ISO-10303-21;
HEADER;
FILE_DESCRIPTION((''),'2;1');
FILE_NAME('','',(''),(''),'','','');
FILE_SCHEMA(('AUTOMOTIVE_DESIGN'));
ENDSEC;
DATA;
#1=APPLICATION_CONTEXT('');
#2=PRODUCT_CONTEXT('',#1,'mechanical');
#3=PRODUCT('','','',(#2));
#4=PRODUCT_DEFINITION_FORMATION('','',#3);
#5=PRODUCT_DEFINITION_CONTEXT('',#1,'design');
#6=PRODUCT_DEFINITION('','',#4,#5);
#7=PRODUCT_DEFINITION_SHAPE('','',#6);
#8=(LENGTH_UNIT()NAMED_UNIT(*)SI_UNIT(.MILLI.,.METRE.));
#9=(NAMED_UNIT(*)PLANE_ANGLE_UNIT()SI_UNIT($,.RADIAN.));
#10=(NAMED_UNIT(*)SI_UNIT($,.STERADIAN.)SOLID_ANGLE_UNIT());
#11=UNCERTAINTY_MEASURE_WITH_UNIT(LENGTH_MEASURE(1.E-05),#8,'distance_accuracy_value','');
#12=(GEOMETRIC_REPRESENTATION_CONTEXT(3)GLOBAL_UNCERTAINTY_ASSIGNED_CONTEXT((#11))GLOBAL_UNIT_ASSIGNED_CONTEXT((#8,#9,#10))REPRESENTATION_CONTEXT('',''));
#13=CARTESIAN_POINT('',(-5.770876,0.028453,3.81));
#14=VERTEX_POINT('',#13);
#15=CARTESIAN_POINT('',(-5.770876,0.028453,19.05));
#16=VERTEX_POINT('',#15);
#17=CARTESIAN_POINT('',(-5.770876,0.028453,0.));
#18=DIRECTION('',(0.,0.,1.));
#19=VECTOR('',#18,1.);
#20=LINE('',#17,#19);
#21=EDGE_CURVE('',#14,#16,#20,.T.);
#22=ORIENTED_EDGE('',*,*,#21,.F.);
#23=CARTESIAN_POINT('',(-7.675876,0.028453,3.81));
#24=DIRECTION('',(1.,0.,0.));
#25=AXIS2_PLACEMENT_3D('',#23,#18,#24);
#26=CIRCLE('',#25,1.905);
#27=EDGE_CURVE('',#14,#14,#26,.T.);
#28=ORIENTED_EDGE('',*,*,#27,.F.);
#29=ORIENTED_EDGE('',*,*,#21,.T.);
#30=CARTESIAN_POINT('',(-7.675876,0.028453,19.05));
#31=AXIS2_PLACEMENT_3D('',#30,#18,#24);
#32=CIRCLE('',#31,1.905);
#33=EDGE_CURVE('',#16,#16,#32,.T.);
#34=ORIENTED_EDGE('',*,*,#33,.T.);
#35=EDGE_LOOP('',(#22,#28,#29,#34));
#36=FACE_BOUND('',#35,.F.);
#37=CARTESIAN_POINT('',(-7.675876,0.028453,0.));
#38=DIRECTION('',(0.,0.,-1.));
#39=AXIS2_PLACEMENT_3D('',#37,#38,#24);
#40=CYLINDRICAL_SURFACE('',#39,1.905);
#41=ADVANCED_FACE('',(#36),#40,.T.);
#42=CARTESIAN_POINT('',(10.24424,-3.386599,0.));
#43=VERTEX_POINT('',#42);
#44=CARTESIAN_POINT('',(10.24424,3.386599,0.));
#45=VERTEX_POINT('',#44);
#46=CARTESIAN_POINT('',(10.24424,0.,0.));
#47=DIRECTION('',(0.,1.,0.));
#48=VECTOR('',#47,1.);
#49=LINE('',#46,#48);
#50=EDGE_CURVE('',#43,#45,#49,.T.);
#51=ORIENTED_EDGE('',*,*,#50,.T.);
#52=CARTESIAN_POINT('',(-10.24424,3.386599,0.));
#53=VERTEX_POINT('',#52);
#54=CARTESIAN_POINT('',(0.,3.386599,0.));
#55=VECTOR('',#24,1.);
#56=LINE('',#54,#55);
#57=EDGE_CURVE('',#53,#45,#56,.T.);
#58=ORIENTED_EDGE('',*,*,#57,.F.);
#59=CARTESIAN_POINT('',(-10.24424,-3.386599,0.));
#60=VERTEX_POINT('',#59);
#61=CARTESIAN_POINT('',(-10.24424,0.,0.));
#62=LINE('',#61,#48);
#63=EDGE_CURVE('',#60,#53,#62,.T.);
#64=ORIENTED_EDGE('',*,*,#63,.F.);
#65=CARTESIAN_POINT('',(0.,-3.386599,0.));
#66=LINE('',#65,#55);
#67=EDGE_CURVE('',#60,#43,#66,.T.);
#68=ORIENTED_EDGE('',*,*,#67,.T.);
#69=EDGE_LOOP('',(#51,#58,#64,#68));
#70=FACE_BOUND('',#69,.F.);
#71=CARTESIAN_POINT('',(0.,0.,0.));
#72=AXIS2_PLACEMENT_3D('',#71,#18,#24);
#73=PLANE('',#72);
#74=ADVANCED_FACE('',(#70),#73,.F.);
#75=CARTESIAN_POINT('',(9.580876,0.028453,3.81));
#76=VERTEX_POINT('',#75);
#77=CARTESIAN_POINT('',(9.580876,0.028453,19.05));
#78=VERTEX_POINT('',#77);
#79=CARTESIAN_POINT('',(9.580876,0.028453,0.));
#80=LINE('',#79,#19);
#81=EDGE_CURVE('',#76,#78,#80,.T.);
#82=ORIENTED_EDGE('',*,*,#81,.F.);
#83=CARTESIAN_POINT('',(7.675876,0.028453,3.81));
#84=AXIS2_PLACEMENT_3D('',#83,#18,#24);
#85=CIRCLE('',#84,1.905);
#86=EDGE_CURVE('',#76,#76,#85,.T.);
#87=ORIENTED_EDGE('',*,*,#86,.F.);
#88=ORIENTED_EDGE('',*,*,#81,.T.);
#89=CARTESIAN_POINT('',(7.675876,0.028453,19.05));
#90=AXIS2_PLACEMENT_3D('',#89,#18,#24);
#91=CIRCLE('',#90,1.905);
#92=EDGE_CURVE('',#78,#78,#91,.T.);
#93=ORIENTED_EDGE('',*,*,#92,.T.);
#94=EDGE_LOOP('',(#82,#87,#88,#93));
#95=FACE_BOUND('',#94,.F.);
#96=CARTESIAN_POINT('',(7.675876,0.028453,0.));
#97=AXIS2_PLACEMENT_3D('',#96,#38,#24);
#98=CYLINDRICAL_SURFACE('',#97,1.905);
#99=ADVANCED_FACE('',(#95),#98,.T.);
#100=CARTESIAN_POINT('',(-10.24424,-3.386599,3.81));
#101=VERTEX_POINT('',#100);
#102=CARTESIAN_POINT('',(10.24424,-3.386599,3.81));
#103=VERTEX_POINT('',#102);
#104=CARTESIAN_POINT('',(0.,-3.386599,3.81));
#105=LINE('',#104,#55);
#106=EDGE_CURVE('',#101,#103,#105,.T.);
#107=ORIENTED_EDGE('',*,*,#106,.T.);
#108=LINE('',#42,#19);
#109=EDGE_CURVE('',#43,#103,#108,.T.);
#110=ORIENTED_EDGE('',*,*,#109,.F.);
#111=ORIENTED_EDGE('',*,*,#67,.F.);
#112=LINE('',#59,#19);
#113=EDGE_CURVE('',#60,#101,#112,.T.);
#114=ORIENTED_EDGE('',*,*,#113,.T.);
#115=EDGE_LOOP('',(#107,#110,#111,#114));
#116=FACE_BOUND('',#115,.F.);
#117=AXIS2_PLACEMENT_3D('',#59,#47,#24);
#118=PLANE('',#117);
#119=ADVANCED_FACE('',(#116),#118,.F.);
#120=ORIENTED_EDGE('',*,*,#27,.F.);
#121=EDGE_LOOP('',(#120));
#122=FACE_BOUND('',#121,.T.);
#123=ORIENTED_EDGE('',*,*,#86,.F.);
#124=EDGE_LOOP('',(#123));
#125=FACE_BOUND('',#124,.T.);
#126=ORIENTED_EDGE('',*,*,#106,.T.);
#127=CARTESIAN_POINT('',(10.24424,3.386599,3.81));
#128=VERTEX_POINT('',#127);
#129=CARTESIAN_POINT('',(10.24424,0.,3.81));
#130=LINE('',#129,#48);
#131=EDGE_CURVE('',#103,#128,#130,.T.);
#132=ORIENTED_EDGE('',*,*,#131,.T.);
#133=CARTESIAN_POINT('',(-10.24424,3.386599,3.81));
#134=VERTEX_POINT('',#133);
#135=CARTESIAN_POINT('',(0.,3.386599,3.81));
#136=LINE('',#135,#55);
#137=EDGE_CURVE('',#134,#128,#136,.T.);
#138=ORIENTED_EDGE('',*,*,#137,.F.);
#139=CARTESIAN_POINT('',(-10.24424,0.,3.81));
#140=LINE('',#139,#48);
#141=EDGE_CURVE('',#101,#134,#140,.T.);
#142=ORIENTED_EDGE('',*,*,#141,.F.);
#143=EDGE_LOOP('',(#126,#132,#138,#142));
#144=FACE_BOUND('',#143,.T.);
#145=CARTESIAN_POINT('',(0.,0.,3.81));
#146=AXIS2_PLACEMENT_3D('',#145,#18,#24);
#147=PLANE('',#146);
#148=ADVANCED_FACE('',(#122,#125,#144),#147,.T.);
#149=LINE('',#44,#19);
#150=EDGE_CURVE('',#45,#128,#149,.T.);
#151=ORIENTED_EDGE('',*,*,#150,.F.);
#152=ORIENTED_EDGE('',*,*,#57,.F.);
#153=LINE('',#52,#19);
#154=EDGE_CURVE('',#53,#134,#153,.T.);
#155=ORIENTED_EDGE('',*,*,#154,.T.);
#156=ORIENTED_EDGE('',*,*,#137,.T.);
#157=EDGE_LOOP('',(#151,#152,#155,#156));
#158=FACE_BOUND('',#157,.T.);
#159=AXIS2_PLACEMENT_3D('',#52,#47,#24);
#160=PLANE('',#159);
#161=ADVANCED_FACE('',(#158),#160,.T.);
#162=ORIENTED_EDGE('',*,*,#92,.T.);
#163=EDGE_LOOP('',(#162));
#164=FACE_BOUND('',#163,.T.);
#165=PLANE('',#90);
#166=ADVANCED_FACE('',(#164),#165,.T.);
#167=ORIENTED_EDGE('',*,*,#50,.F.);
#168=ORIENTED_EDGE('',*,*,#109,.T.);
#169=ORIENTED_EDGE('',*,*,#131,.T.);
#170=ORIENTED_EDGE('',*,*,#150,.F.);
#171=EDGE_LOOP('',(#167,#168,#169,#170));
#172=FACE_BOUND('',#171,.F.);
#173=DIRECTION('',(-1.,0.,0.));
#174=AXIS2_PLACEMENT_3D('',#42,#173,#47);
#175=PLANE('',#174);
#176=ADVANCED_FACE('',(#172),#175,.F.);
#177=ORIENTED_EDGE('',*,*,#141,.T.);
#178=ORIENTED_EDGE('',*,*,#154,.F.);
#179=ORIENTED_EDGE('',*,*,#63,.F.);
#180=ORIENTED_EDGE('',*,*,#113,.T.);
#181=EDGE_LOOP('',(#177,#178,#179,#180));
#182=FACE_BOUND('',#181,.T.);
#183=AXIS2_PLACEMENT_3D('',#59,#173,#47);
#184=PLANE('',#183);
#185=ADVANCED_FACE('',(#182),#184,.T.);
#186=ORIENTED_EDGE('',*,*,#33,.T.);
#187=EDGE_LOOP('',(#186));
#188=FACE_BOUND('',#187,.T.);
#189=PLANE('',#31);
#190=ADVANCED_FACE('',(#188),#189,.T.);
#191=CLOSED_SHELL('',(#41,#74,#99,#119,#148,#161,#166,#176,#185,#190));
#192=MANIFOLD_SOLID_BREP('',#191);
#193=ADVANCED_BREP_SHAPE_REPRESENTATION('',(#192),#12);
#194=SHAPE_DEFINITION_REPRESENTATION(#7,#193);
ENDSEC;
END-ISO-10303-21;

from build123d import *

# Parameters (mm, degrees)
F0_W     = 20.48848
F0_H     = 6.773198
F0_R     = 1.905
F1_DEPTH = 3.81
F2_DEPTH = 19.05


with BuildPart() as f1:
    # F0 (on Top) → F1 (new body)
    with BuildSketch(Plane.XY):
        Rectangle(F0_W, F0_H)
        with Locations((-7.675876, 0.028453)):
            Circle(F0_R, mode=Mode.SUBTRACT)
        with Locations((7.675876, 0.028453)):
            Circle(F0_R, mode=Mode.SUBTRACT)
    extrude(amount=F1_DEPTH)

    # F0 (on Top) → F2 (join)
    with BuildSketch(Plane.XY):
        with Locations((-7.675876, 0.028453)):
            Circle(F0_R)
        with Locations((7.675876, 0.028453)):
            Circle(F0_R)
    extrude(amount=F2_DEPTH)


solid = f1.part
